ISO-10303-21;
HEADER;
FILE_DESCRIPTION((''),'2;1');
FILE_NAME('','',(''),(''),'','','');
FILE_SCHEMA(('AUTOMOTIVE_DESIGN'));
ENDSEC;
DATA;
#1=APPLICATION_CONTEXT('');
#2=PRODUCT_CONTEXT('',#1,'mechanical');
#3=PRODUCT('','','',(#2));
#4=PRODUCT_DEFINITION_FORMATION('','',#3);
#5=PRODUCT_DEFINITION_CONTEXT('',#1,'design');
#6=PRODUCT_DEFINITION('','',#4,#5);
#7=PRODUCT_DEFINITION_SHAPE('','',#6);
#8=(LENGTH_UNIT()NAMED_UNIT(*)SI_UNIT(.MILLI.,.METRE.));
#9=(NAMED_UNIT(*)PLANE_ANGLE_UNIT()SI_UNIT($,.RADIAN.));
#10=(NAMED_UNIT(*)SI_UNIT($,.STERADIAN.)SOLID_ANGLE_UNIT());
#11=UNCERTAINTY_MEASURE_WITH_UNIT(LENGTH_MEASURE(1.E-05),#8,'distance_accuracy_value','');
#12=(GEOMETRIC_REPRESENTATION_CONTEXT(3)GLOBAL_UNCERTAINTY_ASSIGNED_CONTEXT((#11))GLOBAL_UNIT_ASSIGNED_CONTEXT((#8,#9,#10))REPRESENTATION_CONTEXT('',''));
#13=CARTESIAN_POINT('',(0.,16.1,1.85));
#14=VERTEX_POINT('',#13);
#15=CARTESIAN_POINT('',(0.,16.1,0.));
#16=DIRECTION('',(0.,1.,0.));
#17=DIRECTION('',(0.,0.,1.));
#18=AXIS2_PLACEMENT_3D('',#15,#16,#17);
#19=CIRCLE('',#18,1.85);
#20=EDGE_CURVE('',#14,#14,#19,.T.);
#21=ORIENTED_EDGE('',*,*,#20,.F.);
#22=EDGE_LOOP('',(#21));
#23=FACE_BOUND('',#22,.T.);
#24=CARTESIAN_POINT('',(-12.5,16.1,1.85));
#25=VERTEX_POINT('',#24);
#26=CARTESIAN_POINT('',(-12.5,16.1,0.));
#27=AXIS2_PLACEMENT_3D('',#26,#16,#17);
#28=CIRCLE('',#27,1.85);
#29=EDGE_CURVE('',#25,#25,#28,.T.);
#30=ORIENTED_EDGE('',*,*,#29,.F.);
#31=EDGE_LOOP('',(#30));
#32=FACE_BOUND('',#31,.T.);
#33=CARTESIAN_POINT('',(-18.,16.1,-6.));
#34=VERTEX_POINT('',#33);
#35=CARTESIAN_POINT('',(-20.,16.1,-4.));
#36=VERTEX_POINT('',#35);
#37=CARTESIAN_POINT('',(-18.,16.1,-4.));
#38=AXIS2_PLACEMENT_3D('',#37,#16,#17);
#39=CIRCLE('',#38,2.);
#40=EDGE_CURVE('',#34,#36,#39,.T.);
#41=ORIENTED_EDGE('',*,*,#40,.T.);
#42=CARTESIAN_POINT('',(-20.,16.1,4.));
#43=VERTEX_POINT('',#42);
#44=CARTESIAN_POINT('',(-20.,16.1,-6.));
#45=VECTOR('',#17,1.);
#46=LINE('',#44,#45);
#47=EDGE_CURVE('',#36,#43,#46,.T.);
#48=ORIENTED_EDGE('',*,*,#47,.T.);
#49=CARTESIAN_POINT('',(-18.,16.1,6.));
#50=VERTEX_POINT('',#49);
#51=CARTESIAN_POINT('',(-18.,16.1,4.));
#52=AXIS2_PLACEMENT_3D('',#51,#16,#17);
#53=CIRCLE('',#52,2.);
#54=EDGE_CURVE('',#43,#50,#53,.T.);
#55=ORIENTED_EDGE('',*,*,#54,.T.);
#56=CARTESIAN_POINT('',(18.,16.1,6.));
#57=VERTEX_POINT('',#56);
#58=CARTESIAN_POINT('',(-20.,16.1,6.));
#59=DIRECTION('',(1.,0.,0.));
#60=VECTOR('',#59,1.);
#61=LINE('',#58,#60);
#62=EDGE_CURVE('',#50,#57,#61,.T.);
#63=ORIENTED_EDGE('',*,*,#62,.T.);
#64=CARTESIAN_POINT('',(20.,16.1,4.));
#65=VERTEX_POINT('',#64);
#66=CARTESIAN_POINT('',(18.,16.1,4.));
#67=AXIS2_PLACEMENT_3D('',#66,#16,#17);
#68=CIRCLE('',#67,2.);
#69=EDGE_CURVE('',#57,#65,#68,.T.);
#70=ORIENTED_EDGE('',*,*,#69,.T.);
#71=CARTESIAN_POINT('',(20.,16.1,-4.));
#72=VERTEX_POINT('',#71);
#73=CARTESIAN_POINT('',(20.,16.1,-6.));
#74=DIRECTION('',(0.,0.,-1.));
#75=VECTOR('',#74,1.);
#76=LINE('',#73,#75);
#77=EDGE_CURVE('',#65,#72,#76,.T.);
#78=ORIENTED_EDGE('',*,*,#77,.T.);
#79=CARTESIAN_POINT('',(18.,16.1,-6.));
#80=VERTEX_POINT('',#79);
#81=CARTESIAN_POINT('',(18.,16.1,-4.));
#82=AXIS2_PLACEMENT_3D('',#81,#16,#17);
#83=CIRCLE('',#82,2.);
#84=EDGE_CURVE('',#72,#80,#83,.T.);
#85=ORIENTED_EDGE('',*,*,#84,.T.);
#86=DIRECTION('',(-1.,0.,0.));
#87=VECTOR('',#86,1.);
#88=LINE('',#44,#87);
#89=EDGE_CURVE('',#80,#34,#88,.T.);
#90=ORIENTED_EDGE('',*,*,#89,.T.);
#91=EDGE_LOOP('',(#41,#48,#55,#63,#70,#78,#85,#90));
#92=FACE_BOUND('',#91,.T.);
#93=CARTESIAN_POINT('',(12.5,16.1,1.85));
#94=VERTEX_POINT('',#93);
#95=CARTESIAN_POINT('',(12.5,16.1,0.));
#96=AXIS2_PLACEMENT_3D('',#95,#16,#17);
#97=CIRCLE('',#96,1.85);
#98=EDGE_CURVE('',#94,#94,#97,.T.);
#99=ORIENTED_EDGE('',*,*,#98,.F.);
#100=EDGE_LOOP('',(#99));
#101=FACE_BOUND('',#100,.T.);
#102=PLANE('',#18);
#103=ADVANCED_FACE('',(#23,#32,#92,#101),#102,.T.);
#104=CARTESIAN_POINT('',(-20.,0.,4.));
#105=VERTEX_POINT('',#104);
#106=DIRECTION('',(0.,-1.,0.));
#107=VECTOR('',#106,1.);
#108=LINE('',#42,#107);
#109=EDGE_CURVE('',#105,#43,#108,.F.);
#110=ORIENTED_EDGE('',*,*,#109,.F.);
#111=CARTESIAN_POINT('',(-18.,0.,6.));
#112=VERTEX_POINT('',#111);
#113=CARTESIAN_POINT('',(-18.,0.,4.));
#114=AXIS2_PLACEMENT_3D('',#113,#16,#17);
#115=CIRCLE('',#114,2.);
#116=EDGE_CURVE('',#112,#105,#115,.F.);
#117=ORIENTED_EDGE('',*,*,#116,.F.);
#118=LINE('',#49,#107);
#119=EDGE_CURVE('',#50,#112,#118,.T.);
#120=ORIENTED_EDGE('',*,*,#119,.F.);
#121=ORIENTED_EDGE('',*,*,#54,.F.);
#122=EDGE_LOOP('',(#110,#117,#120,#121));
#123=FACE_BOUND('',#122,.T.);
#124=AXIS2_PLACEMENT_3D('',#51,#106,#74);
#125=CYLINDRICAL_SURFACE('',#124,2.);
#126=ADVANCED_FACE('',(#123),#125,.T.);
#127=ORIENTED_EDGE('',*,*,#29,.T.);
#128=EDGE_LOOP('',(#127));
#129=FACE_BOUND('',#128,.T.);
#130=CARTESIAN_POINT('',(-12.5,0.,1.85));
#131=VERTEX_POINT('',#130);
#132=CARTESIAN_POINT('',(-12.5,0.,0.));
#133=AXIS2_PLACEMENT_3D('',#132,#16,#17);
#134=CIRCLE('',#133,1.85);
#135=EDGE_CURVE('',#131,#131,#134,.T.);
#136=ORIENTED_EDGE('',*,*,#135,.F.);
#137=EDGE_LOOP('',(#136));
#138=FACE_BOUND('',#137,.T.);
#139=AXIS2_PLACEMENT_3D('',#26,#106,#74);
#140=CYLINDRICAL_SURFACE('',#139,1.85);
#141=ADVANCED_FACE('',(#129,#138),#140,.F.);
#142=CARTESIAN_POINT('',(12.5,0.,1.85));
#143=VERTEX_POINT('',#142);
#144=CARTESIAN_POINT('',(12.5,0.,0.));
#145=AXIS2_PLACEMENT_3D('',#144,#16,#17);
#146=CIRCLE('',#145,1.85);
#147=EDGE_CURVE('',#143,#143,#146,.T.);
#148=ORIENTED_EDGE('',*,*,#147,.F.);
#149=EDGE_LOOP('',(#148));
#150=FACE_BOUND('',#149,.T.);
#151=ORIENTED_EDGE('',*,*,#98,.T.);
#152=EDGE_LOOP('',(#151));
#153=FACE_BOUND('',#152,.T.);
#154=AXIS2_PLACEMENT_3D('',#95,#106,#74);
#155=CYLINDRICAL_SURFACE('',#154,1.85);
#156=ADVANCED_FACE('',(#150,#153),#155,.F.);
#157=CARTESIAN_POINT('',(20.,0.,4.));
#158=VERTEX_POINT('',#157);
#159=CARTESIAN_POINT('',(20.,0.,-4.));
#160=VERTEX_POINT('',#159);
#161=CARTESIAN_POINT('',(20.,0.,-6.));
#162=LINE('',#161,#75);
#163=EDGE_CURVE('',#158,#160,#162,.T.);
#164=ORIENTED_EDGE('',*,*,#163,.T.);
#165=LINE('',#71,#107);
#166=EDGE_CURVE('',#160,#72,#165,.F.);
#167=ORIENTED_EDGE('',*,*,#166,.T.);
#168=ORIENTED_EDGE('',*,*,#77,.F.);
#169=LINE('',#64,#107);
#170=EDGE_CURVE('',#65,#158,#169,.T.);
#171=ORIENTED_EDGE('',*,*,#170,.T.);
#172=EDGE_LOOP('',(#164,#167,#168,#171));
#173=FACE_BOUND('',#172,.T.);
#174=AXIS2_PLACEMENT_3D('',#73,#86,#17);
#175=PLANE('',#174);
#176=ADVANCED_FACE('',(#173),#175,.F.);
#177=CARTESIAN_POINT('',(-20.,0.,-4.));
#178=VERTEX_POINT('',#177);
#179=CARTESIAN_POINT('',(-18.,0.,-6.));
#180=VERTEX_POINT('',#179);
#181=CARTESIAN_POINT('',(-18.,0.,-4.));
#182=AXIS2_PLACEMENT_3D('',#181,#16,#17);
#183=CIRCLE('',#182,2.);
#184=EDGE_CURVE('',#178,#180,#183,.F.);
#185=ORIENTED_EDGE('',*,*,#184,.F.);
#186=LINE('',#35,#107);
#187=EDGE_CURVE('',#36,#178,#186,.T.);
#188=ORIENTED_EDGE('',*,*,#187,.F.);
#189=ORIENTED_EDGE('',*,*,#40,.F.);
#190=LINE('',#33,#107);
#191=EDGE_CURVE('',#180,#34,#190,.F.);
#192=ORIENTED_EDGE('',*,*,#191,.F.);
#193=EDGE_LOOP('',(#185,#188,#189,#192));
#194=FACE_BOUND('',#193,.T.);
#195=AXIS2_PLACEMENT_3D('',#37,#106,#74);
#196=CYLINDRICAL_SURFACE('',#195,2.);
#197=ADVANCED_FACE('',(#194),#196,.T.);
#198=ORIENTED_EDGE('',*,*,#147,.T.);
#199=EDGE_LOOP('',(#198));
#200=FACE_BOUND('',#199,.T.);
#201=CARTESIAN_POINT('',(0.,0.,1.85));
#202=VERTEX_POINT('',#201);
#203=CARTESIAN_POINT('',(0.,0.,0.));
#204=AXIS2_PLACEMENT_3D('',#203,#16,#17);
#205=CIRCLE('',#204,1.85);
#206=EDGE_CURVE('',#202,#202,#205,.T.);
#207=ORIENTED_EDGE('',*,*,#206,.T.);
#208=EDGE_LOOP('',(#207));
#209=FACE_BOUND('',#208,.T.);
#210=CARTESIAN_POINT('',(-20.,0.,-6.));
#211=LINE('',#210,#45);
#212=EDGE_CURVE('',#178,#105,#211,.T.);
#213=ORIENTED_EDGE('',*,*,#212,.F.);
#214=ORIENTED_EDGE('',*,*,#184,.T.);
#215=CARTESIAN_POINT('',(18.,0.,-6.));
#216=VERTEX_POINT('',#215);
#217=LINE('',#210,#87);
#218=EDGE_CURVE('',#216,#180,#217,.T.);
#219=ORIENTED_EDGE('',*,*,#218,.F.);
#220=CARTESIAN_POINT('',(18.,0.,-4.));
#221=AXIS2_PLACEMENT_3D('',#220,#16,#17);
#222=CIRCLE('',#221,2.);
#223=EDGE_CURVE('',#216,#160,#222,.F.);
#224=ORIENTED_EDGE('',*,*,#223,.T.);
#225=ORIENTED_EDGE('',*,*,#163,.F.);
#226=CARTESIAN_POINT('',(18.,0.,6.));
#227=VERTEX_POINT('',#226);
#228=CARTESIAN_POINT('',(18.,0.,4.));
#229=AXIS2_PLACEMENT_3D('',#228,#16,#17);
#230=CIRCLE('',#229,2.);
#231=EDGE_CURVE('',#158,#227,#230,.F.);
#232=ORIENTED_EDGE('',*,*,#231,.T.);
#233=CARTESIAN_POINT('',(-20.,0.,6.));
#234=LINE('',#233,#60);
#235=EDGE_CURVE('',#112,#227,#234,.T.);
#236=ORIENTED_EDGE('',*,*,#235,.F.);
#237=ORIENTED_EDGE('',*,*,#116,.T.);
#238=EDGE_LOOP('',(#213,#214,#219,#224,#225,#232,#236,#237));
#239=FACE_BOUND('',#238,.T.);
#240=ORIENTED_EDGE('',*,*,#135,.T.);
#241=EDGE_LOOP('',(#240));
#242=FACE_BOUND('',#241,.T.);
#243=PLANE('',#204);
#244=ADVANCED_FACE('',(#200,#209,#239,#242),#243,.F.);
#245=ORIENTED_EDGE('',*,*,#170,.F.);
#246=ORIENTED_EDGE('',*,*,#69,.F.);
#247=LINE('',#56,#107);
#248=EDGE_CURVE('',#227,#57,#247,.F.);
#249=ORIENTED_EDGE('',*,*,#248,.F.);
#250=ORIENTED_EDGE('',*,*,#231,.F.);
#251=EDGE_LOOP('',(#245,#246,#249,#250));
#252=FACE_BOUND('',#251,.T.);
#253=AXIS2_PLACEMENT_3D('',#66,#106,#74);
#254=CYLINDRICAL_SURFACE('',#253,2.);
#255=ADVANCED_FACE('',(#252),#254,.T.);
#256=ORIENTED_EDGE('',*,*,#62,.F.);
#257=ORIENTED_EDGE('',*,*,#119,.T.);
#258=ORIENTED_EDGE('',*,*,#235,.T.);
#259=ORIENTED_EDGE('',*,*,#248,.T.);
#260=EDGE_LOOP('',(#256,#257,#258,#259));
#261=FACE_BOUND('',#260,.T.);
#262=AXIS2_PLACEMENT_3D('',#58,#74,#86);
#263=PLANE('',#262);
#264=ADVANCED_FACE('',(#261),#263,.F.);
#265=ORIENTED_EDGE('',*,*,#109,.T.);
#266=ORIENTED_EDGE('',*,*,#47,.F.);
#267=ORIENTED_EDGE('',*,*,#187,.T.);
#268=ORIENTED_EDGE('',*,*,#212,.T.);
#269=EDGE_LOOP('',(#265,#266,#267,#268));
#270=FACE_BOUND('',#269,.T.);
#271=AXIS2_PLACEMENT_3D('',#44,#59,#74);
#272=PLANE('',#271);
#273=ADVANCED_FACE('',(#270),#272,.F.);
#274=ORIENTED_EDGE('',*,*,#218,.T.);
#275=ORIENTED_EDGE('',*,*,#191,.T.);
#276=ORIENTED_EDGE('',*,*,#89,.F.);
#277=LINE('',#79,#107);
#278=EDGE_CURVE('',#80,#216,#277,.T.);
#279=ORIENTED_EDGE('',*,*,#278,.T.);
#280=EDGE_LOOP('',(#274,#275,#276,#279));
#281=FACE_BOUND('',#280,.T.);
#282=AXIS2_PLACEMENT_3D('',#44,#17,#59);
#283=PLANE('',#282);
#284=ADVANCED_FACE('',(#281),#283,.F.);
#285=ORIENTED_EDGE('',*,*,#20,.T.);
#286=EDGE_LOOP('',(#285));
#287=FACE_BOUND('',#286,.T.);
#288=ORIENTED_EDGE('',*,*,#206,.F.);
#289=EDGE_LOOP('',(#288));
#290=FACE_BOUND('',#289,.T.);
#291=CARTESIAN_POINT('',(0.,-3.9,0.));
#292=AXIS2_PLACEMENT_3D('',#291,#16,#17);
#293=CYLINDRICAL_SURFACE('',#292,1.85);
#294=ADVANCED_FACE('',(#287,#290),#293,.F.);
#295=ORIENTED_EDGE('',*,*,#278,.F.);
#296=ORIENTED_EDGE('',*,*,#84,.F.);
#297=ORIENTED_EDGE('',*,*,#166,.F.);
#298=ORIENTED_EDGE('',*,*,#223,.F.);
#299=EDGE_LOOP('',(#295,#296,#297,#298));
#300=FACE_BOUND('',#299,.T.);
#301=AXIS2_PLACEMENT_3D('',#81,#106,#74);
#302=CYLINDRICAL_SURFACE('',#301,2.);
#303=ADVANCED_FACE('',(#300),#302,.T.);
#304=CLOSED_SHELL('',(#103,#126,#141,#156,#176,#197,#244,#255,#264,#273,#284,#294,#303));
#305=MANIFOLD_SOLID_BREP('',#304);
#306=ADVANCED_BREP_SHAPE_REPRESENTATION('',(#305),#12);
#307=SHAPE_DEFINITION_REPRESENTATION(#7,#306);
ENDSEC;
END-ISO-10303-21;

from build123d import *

# Parameters (mm, degrees)
SKETCH_1_W          = 40
SKETCH_1_H          = 12
SKETCH_1_R          = 1.85
EXTRUDE_1_DEPTH     = 16.1
FILLET_1_R          = 2
SKETCH_2_R          = 1.85
CUT_EXTRUDE_1_DEPTH = 20


with BuildPart() as part:
    # 草图1 → 凸台-拉伸1 (new body)
    with BuildSketch(Plane(origin=(0, 0, 0), x_dir=(1, 0, 0), z_dir=(0, 1, 0))):
        Rectangle(SKETCH_1_W, SKETCH_1_H)
        with Locations(Location((-12.5, 0, 0), (0, 0, 270))):
            Circle(SKETCH_1_R, mode=Mode.SUBTRACT)
        with Locations(Location((12.5, 0, 0), (0, 0, 270))):
            Circle(SKETCH_1_R, mode=Mode.SUBTRACT)
    extrude(amount=EXTRUDE_1_DEPTH)

    # 圆角1
    fillet_1_edges = [part.edges().sort_by_distance(p)[0] for p in [
        (20, 8.05, 6),
        (-20, 8.05, 6),
        (-20, 8.05, -6),
        (20, 8.05, -6),
    ]]
    fillet(fillet_1_edges, radius=FILLET_1_R)

    # 草图2 → 切除-拉伸1 (cut)
    with BuildSketch(Plane(origin=(0, 16.1, 0), x_dir=(1, 0, 0), z_dir=(0, 1, 0))):
        with Locations(Location((0, 0, 0), (0, 0, 270))):
            Circle(SKETCH_2_R)
    extrude(amount=-CUT_EXTRUDE_1_DEPTH, mode=Mode.SUBTRACT)


solid = part.part
